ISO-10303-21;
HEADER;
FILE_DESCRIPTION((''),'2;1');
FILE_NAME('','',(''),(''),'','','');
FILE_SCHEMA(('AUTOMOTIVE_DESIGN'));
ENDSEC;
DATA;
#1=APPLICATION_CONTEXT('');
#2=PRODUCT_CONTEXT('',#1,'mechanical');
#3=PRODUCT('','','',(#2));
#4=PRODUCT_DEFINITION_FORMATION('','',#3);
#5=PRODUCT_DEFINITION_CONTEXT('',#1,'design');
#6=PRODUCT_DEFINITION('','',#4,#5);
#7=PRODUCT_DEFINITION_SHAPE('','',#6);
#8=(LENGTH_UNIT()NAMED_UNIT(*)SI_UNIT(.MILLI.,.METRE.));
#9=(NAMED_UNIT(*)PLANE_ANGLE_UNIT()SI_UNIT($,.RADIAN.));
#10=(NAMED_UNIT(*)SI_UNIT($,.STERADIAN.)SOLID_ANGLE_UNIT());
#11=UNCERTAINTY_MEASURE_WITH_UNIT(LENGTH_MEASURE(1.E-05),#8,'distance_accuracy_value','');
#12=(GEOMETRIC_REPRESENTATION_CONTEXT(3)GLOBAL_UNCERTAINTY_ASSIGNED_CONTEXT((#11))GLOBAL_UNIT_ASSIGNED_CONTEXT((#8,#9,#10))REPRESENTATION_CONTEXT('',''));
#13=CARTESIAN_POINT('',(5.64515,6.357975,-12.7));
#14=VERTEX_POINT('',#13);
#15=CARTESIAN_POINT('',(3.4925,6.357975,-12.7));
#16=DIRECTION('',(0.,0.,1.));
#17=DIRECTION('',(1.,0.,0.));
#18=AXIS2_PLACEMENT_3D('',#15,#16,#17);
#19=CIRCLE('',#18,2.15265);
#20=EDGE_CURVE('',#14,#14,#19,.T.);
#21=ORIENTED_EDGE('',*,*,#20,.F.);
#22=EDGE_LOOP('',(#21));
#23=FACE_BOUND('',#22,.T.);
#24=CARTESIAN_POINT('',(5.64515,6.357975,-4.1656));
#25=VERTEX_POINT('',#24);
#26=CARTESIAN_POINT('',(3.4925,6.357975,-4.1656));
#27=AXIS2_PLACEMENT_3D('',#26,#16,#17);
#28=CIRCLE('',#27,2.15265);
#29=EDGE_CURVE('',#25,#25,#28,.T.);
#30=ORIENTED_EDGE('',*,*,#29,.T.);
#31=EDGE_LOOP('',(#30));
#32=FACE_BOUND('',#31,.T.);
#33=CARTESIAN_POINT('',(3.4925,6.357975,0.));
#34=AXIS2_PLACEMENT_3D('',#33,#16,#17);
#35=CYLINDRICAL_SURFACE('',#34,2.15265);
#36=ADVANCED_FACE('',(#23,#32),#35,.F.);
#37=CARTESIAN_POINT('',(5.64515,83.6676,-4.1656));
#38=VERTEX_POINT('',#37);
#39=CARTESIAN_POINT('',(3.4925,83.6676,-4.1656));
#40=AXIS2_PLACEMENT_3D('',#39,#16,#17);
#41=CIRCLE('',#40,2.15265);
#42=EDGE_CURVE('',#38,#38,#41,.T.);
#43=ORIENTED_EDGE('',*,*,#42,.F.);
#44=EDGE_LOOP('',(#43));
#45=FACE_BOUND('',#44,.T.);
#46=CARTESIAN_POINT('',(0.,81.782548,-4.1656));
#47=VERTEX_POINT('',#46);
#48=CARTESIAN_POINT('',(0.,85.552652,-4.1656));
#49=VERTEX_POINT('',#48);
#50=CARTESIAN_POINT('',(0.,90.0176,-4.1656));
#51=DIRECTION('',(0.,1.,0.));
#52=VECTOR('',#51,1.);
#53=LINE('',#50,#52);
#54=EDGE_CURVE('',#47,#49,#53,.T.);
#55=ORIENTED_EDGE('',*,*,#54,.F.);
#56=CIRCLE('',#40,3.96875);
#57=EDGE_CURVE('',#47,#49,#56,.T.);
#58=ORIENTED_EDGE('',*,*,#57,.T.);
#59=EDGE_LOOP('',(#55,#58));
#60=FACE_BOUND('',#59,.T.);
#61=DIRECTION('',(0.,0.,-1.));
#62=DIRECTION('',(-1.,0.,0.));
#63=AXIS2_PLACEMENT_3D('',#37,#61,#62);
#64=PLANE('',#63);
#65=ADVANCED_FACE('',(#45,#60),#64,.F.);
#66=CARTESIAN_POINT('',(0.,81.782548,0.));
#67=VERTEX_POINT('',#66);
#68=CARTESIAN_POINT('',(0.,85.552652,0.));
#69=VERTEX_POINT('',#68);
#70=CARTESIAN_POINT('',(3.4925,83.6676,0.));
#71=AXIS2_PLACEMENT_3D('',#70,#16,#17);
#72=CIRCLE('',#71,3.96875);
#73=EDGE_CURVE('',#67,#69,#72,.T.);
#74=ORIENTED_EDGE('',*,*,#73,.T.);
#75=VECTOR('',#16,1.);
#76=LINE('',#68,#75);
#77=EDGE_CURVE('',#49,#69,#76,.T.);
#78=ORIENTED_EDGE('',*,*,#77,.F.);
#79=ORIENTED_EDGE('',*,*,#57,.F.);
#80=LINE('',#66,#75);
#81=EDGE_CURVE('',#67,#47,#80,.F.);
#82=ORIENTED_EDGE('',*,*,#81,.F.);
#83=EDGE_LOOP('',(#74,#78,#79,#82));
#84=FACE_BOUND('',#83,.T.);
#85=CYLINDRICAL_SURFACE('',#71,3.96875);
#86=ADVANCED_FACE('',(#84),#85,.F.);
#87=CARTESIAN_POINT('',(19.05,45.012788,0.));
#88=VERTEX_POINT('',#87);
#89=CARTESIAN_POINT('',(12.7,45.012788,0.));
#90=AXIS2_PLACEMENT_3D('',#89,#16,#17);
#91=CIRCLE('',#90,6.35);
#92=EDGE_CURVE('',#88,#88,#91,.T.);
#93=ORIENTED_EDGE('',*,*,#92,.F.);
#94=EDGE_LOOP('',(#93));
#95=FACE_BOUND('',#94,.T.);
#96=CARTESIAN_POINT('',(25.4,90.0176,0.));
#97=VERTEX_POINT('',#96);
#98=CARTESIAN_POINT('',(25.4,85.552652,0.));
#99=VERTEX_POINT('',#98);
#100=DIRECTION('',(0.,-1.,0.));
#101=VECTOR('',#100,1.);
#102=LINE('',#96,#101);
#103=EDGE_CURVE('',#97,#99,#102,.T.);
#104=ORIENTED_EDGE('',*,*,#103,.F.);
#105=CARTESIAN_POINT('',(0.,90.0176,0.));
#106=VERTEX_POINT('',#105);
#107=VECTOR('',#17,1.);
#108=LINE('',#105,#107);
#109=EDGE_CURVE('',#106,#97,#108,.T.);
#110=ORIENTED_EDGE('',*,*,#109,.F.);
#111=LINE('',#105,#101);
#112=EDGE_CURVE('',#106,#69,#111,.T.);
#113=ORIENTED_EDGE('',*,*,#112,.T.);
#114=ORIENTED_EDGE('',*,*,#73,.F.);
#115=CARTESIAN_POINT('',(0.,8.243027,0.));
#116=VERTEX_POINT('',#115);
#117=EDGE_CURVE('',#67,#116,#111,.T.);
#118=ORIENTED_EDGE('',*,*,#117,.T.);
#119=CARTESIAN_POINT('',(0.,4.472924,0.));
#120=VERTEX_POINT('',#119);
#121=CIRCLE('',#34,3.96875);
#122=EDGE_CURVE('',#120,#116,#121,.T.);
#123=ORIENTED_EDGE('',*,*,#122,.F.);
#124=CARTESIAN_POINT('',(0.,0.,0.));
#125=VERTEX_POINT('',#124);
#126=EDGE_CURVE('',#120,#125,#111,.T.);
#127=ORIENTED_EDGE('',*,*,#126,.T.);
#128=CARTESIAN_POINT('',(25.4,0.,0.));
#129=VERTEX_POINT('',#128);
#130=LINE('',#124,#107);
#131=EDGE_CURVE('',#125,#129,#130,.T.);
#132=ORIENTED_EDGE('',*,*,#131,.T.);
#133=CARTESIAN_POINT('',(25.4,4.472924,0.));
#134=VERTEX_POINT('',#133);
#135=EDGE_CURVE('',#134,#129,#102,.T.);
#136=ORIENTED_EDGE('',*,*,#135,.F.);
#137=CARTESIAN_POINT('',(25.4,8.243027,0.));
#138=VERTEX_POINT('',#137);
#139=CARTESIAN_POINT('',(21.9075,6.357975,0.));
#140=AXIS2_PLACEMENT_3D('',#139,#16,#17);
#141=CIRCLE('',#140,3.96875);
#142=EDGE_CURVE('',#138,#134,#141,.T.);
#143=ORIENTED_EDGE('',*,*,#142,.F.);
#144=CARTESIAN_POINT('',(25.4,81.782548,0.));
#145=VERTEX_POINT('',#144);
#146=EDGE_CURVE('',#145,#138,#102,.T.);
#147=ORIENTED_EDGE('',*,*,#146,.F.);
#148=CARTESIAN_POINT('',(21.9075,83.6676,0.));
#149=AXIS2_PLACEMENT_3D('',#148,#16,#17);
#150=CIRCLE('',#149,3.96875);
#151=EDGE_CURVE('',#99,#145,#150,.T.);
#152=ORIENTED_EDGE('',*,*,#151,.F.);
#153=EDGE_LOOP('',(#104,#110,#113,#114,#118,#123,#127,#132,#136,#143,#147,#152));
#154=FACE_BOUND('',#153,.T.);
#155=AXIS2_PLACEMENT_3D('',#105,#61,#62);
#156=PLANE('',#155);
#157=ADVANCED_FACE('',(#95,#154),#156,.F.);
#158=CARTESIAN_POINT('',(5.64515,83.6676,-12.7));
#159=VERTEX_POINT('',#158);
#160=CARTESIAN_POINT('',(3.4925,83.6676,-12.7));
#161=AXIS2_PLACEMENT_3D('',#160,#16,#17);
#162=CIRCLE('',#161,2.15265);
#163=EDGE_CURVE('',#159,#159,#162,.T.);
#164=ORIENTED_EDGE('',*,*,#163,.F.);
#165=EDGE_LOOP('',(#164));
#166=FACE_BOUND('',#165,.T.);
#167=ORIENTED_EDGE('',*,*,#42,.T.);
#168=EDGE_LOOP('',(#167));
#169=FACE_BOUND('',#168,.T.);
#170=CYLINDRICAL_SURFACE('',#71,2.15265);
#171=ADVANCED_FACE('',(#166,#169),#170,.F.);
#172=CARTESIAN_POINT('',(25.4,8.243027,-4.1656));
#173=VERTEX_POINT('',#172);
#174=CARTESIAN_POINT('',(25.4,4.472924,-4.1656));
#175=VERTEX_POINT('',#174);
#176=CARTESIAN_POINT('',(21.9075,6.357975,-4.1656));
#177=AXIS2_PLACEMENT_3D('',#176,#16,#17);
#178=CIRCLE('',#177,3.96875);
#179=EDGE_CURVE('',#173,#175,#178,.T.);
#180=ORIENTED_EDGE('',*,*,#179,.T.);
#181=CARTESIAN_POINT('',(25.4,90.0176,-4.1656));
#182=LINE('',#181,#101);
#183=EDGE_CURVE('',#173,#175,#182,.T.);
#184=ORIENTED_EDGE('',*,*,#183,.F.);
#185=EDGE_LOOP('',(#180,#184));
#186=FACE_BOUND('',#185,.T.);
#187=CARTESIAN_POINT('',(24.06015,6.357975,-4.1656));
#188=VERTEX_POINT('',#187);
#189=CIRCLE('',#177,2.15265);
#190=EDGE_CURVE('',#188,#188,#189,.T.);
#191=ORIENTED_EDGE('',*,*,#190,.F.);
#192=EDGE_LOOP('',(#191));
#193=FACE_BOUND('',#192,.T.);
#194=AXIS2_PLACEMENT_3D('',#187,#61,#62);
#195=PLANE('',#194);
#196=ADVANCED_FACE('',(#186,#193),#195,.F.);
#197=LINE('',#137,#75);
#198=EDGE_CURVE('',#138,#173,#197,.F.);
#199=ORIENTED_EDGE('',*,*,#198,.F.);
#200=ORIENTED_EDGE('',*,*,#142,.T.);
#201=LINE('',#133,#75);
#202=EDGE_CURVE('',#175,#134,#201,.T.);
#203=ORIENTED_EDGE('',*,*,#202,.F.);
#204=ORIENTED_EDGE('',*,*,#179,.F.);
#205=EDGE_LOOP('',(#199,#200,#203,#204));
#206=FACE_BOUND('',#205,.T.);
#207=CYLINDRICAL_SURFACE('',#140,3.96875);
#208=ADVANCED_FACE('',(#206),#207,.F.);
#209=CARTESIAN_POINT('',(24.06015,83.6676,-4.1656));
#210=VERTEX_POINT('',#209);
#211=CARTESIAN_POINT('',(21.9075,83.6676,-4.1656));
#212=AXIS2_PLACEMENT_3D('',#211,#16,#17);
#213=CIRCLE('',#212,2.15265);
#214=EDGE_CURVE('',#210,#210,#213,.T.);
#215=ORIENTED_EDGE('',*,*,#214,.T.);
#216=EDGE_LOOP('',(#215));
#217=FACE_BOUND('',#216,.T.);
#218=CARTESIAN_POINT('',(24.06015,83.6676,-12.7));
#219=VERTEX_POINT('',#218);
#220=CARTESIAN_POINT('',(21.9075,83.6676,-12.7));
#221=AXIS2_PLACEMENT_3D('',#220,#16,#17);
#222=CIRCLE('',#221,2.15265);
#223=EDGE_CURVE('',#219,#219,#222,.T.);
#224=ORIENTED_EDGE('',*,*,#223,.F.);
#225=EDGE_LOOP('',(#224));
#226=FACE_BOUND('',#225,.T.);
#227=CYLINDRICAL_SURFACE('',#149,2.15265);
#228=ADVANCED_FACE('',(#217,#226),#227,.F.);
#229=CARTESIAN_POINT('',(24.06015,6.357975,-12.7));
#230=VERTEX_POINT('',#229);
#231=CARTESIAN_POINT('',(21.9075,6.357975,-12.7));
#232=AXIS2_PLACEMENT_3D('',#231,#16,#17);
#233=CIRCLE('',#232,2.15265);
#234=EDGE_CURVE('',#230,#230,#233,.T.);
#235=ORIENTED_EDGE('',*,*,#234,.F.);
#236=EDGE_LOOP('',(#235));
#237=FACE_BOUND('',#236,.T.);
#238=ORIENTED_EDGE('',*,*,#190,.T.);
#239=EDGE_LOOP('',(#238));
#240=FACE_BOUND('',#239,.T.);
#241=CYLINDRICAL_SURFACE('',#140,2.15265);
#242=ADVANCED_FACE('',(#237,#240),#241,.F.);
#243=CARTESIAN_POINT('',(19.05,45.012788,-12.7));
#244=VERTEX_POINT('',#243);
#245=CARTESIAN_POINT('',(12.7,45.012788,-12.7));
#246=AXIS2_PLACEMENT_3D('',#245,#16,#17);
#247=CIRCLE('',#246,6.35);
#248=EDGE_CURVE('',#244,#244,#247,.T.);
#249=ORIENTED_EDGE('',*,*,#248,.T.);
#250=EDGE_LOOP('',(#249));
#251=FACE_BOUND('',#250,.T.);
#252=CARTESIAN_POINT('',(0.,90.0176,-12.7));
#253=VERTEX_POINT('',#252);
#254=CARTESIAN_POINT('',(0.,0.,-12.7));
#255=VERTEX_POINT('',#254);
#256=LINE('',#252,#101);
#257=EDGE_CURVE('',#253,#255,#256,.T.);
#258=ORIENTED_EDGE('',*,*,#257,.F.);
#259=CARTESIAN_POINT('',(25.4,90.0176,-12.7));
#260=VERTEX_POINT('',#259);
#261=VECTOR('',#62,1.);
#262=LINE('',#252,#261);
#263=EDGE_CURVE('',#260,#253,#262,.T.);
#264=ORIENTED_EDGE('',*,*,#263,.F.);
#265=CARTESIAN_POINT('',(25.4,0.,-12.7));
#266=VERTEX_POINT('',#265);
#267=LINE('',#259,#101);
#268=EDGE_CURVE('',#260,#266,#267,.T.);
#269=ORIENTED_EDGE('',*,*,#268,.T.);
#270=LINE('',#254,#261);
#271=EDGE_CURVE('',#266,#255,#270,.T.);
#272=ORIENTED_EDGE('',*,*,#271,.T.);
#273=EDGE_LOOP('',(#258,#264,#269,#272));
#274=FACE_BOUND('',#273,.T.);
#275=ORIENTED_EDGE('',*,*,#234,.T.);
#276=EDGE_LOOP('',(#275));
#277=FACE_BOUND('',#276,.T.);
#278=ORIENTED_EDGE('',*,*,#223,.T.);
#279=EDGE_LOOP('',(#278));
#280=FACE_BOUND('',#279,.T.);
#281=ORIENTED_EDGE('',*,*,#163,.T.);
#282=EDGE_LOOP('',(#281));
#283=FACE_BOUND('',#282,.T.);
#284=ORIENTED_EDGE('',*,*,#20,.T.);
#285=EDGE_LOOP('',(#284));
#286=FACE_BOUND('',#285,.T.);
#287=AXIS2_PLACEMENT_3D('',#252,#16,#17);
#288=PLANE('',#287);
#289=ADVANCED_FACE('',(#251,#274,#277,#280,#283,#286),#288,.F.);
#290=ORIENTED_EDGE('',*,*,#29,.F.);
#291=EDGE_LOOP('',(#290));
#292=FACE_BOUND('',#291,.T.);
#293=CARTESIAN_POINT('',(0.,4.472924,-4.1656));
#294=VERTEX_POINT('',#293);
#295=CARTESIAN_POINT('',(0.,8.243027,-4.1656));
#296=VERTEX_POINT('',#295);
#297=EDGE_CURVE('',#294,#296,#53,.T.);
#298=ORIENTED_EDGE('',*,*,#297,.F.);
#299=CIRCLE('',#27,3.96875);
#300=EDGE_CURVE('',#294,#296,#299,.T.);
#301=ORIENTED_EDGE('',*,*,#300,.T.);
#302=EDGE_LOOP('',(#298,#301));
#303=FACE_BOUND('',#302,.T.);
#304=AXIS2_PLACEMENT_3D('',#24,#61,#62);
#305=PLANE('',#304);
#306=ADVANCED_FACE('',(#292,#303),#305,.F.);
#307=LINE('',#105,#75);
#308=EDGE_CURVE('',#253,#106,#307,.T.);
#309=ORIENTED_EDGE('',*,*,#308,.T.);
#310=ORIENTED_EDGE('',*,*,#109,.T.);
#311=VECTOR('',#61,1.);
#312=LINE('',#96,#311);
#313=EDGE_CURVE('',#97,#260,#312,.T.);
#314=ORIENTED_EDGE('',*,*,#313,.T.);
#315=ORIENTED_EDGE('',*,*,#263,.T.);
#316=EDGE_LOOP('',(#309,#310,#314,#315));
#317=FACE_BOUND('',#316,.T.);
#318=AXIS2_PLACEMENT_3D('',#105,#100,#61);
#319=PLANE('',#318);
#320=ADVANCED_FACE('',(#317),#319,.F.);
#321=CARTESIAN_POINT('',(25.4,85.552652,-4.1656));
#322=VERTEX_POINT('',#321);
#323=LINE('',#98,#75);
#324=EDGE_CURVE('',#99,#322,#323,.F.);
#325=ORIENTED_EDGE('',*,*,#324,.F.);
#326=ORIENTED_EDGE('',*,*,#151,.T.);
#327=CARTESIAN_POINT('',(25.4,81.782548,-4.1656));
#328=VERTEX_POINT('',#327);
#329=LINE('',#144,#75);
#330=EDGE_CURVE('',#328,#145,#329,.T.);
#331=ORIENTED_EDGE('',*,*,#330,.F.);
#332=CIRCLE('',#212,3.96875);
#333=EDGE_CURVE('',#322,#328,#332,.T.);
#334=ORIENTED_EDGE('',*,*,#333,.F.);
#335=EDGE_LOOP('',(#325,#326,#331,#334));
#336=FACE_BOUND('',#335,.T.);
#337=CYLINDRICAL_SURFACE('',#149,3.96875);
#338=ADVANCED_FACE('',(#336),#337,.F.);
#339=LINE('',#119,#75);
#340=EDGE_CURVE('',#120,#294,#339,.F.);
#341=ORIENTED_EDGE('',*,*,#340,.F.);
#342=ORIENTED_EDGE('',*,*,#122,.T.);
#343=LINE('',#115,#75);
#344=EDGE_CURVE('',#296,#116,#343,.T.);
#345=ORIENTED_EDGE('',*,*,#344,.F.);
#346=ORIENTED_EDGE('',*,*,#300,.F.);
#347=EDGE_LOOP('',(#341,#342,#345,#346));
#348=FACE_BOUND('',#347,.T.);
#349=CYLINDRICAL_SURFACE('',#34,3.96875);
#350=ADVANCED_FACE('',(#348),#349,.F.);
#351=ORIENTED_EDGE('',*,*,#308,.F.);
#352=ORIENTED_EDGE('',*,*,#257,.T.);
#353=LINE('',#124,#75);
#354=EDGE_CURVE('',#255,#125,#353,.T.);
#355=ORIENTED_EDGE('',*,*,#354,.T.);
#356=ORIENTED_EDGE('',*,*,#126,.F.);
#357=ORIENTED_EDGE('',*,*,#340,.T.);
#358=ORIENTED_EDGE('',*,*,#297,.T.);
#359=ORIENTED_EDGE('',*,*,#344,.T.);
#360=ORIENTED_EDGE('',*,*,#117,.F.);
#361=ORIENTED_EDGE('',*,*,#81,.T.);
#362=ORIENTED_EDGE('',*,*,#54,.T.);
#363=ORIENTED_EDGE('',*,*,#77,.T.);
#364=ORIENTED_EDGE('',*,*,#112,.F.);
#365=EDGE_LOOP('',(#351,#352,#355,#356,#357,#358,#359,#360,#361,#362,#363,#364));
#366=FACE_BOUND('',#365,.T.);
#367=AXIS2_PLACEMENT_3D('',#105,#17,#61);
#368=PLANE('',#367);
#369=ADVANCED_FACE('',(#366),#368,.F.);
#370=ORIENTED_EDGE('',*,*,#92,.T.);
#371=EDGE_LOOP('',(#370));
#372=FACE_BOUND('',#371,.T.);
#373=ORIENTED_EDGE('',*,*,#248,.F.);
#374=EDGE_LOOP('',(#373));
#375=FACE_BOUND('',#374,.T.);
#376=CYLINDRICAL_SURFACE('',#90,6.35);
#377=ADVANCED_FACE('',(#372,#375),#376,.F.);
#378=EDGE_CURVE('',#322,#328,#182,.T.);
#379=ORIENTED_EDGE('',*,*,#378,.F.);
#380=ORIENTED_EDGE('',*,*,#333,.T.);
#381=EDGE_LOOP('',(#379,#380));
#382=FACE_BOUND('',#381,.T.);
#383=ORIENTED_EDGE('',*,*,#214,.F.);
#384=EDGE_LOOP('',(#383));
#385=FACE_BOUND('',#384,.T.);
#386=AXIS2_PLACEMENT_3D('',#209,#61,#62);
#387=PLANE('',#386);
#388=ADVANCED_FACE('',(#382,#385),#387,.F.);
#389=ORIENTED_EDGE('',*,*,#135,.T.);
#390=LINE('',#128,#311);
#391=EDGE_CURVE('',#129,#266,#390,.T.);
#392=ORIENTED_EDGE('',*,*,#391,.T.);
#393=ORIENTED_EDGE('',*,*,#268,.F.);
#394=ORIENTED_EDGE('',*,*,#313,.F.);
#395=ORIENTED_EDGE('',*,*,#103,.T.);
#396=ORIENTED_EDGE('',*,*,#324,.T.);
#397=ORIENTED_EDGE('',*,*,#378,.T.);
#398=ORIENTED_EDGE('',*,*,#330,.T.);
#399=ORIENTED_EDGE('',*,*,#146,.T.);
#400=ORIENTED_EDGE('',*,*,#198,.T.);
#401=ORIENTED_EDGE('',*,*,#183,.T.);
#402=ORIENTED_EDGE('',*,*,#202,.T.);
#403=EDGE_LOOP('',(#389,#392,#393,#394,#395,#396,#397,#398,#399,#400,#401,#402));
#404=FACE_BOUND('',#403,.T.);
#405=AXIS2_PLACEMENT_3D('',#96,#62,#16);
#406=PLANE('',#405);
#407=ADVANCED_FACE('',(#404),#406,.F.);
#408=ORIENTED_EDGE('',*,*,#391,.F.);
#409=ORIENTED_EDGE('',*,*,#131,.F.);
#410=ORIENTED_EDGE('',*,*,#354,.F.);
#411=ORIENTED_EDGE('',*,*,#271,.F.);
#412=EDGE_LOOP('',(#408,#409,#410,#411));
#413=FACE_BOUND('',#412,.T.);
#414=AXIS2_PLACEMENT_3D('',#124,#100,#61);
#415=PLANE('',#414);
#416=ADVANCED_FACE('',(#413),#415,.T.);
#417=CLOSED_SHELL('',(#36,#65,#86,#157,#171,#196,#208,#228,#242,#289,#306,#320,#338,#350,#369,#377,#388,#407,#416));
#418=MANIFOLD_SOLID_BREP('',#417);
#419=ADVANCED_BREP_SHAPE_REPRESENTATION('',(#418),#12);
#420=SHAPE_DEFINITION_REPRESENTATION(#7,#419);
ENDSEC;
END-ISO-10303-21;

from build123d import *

# Parameters (mm, degrees)
SKETCH1_W                                      = 25.4
SKETCH1_H                                      = 12.7
BOSS_EXTRUDE1_DEPTH                            = 90.0176
CBORE_FOR_8_SOCKET_HEAD_CAP_SCREW1_D           = 4.3053
CBORE_FOR_8_SOCKET_HEAD_CAP_SCREW1_DEPTH       = 19.05
CBORE_FOR_8_SOCKET_HEAD_CAP_SCREW1_CBORE_D     = 7.9375
CBORE_FOR_8_SOCKET_HEAD_CAP_SCREW1_CBORE_DEPTH = 4.1656
CBORE_FOR_8_SOCKET_HEAD_CAP_SCREW1_TIP         = 1.293442612
F_1_2_0_5_DIAMETER_HOLE1_D                     = 12.7
F_1_2_0_5_DIAMETER_HOLE1_DEPTH                 = 15.24
F_1_2_0_5_DIAMETER_HOLE1_TIP                   = 3.815464931


with BuildPart() as part:
    # Sketch1 → Boss-Extrude1 (new body)
    with BuildSketch(Plane(origin=(0, 0, 0), x_dir=(1, 0, 0), z_dir=(0, 1, 0))):
        with Locations((12.7, 6.35)):
            Rectangle(SKETCH1_W, SKETCH1_H)
    extrude(amount=BOSS_EXTRUDE1_DEPTH)

    # CBORE for #8 Socket Head Cap Screw1
    with Locations(Plane(origin=(3.4925, 6.357975427, 0), x_dir=(1, 0, 0), z_dir=(0, 0, 1))):
        with Locations((0, 0), (18.415, 0), (18.415, 77.309624573), (0, 77.309624573)):
            CounterBoreHole(CBORE_FOR_8_SOCKET_HEAD_CAP_SCREW1_D / 2, CBORE_FOR_8_SOCKET_HEAD_CAP_SCREW1_CBORE_D / 2, CBORE_FOR_8_SOCKET_HEAD_CAP_SCREW1_CBORE_DEPTH, depth=CBORE_FOR_8_SOCKET_HEAD_CAP_SCREW1_DEPTH)
            with Locations((0, 0, -(CBORE_FOR_8_SOCKET_HEAD_CAP_SCREW1_DEPTH + CBORE_FOR_8_SOCKET_HEAD_CAP_SCREW1_TIP / 2))):  # 118° drill point
                Cone(0, CBORE_FOR_8_SOCKET_HEAD_CAP_SCREW1_D / 2, CBORE_FOR_8_SOCKET_HEAD_CAP_SCREW1_TIP, mode=Mode.SUBTRACT)

    # 1/2 (0.5) Diameter Hole1
    with Locations(Plane(origin=(12.7, 45.012787713, 0), x_dir=(1, 0, 0), z_dir=(0, 0, 1))):
        with Locations((0, 0)):
            Hole(F_1_2_0_5_DIAMETER_HOLE1_D / 2, depth=F_1_2_0_5_DIAMETER_HOLE1_DEPTH)
            with Locations((0, 0, -(F_1_2_0_5_DIAMETER_HOLE1_DEPTH + F_1_2_0_5_DIAMETER_HOLE1_TIP / 2))):  # 118° drill point
                Cone(0, F_1_2_0_5_DIAMETER_HOLE1_D / 2, F_1_2_0_5_DIAMETER_HOLE1_TIP, mode=Mode.SUBTRACT)


solid = part.part
